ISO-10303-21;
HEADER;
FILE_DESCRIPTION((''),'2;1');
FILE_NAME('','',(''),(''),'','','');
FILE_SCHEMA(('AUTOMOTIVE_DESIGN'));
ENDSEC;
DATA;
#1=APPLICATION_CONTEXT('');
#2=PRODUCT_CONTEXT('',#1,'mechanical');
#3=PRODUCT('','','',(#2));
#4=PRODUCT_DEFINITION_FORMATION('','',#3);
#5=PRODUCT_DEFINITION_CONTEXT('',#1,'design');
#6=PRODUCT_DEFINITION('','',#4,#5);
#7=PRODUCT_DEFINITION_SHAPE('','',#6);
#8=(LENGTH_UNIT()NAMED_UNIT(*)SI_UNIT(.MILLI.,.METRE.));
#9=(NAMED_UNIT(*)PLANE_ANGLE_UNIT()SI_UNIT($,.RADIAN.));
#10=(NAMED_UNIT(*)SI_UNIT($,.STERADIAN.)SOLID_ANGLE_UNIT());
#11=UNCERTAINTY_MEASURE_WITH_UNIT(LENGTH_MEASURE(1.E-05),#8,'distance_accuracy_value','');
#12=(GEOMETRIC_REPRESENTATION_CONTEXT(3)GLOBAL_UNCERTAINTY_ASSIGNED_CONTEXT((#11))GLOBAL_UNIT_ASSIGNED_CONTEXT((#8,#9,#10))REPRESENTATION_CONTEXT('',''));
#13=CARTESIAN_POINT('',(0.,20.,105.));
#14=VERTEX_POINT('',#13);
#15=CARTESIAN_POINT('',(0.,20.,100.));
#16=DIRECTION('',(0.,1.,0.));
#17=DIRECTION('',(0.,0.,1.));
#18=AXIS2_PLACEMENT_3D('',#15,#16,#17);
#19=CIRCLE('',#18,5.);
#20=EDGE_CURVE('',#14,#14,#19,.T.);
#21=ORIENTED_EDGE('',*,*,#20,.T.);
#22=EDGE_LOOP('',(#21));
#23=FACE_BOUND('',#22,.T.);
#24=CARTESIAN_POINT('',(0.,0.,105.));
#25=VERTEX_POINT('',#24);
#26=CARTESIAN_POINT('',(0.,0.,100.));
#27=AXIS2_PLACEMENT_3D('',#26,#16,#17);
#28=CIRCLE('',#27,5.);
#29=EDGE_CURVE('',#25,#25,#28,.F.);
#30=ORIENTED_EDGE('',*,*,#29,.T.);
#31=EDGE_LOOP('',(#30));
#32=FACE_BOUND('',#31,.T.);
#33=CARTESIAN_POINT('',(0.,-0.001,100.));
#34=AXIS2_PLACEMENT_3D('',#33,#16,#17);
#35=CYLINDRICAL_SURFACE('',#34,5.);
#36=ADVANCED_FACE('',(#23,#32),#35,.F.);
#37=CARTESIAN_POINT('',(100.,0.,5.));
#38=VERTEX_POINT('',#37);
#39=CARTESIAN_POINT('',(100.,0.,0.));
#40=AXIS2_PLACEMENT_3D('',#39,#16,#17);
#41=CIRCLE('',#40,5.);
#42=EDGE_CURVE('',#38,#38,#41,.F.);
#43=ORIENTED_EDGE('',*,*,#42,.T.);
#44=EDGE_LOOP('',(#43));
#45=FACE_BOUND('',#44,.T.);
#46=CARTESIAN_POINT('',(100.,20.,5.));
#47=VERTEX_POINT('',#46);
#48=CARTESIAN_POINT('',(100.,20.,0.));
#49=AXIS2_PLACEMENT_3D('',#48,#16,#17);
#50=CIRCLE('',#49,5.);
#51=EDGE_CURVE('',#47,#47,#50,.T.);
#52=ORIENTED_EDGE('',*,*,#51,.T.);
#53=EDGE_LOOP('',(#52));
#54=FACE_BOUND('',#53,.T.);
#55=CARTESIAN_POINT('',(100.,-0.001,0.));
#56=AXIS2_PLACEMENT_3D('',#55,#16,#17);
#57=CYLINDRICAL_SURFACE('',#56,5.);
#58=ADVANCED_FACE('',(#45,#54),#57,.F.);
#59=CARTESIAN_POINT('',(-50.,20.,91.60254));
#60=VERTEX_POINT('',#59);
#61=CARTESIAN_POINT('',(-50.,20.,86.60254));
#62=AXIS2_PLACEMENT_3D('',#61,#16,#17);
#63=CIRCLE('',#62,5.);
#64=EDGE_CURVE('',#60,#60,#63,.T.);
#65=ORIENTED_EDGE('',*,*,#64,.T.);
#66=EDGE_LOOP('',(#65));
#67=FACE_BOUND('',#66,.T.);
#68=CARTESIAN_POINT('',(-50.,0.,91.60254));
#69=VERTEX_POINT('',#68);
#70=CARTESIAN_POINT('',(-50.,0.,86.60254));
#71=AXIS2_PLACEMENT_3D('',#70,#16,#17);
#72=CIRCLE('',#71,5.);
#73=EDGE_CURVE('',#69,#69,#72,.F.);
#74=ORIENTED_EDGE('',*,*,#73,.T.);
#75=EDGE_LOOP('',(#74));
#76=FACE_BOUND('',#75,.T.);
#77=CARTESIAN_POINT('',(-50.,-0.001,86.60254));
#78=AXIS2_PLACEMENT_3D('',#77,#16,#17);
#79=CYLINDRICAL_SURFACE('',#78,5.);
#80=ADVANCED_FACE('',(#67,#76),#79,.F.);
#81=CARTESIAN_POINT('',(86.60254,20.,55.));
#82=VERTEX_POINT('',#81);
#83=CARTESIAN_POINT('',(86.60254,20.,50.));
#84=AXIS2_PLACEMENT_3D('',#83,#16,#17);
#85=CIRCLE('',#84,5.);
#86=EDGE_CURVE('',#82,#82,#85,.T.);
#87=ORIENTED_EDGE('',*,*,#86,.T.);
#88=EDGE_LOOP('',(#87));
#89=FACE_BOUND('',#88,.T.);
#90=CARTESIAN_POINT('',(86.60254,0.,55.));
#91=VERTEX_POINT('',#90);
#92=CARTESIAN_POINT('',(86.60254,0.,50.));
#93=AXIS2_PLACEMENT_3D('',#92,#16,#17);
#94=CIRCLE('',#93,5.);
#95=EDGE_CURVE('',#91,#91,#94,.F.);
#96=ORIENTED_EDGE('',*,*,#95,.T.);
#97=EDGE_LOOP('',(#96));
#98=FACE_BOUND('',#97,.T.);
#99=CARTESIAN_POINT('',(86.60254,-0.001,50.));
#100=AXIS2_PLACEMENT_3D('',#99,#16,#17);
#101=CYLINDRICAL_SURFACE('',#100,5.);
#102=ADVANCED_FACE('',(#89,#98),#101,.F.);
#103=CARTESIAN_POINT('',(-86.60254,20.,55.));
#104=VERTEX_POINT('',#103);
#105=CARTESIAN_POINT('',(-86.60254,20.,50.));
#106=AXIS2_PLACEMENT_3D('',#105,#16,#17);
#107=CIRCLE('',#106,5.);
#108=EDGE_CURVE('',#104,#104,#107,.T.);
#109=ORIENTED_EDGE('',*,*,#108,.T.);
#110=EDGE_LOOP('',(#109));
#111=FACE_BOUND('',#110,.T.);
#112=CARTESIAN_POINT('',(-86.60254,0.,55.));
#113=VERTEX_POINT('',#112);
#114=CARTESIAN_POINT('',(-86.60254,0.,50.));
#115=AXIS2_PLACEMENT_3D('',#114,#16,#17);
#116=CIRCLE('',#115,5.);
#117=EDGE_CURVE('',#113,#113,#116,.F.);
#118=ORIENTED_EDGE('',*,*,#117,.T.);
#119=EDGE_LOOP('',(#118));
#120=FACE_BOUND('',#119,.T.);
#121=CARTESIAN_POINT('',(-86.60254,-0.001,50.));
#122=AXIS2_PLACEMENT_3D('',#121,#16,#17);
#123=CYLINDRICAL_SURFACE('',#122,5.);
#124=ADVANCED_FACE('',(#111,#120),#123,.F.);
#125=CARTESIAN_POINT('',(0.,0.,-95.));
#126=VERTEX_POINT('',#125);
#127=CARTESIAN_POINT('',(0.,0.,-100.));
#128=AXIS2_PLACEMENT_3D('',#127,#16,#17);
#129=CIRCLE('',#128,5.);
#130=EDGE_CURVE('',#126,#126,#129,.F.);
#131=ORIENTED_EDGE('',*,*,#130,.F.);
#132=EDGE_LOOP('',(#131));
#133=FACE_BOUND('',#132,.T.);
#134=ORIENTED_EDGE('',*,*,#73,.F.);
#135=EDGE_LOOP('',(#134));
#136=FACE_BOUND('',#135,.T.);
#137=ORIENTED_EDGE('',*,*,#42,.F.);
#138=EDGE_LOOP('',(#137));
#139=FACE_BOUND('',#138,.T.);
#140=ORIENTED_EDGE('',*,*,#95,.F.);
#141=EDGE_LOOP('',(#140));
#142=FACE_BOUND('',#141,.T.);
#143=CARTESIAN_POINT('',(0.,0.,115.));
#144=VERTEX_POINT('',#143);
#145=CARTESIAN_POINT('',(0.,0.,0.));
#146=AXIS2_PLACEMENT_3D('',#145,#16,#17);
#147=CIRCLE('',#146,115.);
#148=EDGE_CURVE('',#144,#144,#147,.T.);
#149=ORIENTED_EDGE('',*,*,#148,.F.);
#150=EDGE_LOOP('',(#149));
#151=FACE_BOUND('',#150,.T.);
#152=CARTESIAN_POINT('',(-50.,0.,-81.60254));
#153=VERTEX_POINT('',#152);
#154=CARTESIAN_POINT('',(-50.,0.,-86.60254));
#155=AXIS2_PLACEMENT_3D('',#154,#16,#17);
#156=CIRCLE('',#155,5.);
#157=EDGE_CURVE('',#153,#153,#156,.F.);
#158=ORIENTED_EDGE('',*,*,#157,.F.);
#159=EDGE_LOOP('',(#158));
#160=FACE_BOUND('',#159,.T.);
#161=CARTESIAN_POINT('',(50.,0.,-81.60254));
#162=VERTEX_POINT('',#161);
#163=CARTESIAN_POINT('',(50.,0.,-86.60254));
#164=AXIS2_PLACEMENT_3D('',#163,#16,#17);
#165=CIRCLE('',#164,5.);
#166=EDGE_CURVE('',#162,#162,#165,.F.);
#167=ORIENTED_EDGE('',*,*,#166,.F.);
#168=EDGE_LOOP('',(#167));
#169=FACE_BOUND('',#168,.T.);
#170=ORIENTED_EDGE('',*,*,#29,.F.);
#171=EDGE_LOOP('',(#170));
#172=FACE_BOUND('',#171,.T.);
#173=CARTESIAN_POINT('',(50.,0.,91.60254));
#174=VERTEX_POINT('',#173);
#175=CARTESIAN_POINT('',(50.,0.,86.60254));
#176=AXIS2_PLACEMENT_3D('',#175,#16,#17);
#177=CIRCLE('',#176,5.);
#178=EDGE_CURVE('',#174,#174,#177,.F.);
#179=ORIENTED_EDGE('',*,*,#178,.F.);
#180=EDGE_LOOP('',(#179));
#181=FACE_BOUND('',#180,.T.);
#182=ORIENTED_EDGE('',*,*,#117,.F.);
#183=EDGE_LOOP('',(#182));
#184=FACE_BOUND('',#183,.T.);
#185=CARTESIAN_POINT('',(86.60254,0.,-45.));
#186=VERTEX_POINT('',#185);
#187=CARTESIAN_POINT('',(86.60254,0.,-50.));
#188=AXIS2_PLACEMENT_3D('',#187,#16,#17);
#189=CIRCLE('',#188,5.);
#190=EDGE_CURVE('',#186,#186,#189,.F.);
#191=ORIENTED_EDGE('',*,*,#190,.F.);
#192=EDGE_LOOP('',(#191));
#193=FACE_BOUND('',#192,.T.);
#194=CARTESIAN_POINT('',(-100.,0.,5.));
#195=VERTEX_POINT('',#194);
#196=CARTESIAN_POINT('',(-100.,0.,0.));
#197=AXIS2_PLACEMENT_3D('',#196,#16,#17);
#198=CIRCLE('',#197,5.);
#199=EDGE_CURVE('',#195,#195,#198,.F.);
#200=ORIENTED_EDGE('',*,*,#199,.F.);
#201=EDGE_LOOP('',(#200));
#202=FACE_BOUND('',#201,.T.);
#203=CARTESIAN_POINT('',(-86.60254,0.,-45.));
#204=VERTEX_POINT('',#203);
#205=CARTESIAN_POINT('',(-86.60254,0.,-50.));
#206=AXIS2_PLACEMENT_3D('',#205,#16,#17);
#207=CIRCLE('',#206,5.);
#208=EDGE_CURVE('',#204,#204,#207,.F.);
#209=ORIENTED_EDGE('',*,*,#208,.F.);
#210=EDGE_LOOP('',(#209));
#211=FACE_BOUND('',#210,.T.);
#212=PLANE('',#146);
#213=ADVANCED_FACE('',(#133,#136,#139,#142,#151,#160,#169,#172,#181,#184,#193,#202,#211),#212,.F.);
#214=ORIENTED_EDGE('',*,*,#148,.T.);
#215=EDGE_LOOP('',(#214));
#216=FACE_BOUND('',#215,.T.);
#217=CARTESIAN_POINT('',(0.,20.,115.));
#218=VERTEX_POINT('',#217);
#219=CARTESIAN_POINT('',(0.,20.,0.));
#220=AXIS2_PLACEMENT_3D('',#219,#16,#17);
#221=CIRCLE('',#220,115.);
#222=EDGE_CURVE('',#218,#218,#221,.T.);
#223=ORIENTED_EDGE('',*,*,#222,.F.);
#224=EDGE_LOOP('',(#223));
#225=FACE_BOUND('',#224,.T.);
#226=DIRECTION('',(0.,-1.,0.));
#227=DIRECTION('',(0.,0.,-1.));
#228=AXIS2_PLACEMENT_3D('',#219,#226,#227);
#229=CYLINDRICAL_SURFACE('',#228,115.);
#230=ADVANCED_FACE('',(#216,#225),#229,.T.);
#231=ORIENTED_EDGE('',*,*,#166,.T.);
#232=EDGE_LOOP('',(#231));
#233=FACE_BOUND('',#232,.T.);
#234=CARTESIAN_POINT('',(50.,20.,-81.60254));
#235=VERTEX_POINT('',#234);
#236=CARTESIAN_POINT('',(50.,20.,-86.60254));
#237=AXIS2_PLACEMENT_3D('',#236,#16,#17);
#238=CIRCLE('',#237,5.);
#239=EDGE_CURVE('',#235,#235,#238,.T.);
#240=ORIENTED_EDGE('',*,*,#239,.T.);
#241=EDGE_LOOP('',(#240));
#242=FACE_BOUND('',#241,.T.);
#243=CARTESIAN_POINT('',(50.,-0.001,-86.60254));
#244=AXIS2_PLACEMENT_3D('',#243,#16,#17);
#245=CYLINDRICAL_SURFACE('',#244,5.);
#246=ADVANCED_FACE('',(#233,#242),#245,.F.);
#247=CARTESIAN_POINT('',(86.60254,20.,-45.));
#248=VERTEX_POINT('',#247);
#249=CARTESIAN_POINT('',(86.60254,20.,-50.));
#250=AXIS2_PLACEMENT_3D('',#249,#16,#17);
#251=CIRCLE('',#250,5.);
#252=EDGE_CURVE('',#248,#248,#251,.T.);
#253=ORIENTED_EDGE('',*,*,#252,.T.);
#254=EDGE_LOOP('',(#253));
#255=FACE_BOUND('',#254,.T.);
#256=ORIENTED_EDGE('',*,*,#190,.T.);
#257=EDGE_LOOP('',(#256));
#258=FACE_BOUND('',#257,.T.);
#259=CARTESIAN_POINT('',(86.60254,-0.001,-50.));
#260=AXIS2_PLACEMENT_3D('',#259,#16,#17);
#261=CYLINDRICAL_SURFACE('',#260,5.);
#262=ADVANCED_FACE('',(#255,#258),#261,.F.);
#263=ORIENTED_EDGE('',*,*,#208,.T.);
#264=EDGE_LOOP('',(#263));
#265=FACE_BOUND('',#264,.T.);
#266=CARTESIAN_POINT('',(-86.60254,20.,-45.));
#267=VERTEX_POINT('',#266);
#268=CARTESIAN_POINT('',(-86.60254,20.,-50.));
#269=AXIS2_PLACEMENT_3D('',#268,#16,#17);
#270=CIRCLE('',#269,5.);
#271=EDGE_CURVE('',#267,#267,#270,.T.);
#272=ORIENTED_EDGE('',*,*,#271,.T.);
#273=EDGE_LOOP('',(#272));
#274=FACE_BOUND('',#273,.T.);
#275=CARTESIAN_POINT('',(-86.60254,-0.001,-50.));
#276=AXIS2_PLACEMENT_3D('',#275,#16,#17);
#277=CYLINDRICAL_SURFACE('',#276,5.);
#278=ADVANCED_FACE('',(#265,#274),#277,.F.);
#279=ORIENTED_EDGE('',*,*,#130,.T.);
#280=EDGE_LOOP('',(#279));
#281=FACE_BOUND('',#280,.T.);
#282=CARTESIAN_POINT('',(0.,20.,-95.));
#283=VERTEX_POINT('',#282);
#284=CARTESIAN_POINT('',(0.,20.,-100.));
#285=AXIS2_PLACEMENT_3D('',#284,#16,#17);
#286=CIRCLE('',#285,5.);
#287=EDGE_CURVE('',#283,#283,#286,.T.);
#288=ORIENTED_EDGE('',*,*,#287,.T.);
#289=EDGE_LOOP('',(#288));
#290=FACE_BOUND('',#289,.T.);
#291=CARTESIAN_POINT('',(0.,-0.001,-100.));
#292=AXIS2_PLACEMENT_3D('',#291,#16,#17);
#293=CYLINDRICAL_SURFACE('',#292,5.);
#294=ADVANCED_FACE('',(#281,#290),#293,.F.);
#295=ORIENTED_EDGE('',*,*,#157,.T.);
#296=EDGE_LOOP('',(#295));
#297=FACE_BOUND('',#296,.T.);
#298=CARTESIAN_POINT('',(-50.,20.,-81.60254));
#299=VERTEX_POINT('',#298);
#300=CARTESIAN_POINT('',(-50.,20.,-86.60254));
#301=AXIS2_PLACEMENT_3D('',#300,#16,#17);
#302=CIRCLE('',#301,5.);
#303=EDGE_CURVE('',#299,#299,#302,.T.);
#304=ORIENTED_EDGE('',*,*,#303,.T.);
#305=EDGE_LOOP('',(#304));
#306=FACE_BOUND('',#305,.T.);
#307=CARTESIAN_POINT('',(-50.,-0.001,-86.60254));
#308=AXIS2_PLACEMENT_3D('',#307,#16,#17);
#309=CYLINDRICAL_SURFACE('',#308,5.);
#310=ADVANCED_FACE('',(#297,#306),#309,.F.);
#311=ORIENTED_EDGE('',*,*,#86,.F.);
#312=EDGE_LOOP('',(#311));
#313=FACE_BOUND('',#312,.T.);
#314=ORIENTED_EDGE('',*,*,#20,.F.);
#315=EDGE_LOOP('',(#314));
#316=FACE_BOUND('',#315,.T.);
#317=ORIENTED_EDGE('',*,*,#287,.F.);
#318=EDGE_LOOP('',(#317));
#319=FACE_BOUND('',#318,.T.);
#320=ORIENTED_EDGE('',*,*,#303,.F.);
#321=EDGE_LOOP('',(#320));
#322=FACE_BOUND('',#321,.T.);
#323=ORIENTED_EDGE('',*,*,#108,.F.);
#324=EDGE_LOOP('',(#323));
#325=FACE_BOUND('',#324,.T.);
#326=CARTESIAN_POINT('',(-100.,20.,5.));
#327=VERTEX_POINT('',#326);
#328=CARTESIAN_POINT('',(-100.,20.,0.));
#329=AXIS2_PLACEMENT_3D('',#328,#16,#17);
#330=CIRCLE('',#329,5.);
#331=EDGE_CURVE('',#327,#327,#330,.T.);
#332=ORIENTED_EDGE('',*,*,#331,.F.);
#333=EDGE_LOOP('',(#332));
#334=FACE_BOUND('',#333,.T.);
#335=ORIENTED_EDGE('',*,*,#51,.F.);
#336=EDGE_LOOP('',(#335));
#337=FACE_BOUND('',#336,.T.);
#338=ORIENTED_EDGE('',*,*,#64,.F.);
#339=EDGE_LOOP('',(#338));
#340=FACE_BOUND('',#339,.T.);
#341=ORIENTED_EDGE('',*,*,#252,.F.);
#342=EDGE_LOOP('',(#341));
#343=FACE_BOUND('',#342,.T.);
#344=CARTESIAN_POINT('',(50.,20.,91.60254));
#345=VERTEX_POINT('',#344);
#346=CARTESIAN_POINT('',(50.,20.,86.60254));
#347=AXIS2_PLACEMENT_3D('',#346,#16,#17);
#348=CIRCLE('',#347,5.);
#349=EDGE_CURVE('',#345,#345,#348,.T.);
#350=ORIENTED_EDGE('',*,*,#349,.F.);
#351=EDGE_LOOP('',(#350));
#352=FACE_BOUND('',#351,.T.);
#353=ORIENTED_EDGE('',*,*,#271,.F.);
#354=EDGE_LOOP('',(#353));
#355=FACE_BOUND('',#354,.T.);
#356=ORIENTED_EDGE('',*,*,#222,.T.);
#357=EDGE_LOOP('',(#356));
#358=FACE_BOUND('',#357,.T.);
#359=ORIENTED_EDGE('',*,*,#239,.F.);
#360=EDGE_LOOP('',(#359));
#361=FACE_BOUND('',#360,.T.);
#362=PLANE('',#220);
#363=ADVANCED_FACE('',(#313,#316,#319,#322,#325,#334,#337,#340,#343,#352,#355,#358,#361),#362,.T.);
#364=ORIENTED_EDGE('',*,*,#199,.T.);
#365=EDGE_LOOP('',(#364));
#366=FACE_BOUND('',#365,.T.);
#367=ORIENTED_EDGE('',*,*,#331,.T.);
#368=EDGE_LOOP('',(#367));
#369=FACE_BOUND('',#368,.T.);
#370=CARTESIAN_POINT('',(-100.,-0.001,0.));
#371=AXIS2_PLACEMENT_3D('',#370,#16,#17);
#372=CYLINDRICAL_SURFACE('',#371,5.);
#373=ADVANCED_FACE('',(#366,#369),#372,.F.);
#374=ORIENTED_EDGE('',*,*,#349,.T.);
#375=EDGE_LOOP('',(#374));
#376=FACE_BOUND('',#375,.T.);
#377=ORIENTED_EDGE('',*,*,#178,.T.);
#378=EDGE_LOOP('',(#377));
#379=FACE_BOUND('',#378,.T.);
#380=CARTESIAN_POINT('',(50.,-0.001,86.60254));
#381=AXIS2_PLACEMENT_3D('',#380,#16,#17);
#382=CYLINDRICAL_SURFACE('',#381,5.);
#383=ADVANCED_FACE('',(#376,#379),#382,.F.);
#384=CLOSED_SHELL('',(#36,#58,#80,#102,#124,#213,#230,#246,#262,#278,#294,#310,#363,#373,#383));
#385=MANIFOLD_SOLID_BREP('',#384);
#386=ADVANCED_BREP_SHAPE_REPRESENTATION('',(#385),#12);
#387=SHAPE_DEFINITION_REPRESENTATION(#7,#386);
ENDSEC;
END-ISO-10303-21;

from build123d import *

# Parameters (mm, degrees)
SKETCH1_R           = 115
BOSS_EXTRUDE1_DEPTH = 20
CUT_EXTRUDE1_REACH  = 165.86
SKETCH2_R           = 5


with BuildPart() as part:
    # Sketch1 → Boss-Extrude1 (new body)
    with BuildSketch(Plane(origin=(0, 0, 0), x_dir=(1, 0, 0), z_dir=(0, 1, 0))):
        with Locations(Location((0, 0, 0), (0, 0, 270))):
            Circle(SKETCH1_R)
    extrude(amount=BOSS_EXTRUDE1_DEPTH)

    # Sketch2 → Cut-Extrude1 (cut, up to next)
    with BuildSketch(Plane(origin=(0, 20, 0), x_dir=(1, 0, 0), z_dir=(0, 1, 0)), mode=Mode.PRIVATE) as cut_extrude1_sk1:
        with Locations(Location((0, 100, 0), (0, 0, 270))):
            Circle(SKETCH2_R)
    cut_extrude1_tool1 = extrude(cut_extrude1_sk1.sketch, amount=-CUT_EXTRUDE1_REACH, mode=Mode.PRIVATE) & part.part
    # Sketch2 → Cut-Extrude1 (cut, up to next)
    with BuildSketch(Plane(origin=(0, 20, 0), x_dir=(1, 0, 0), z_dir=(0, 1, 0)), mode=Mode.PRIVATE) as cut_extrude1_sk2:
        with Locations(Location((50, 86.602540378, 0), (0, 0, 270))):
            Circle(SKETCH2_R)
    cut_extrude1_tool2 = extrude(cut_extrude1_sk2.sketch, amount=-CUT_EXTRUDE1_REACH, mode=Mode.PRIVATE) & part.part
    # Sketch2 → Cut-Extrude1 (cut, up to next)
    with BuildSketch(Plane(origin=(0, 20, 0), x_dir=(1, 0, 0), z_dir=(0, 1, 0)), mode=Mode.PRIVATE) as cut_extrude1_sk3:
        with Locations(Location((86.602540378, 50, 0), (0, 0, 270))):
            Circle(SKETCH2_R)
    cut_extrude1_tool3 = extrude(cut_extrude1_sk3.sketch, amount=-CUT_EXTRUDE1_REACH, mode=Mode.PRIVATE) & part.part
    # Sketch2 → Cut-Extrude1 (cut, up to next)
    with BuildSketch(Plane(origin=(0, 20, 0), x_dir=(1, 0, 0), z_dir=(0, 1, 0)), mode=Mode.PRIVATE) as cut_extrude1_sk4:
        with Locations(Location((100, 0, 0), (0, 0, 270))):
            Circle(SKETCH2_R)
    cut_extrude1_tool4 = extrude(cut_extrude1_sk4.sketch, amount=-CUT_EXTRUDE1_REACH, mode=Mode.PRIVATE) & part.part
    # Sketch2 → Cut-Extrude1 (cut, up to next)
    with BuildSketch(Plane(origin=(0, 20, 0), x_dir=(1, 0, 0), z_dir=(0, 1, 0)), mode=Mode.PRIVATE) as cut_extrude1_sk5:
        with Locations(Location((86.602540378, -50, 0), (0, 0, 270))):
            Circle(SKETCH2_R)
    cut_extrude1_tool5 = extrude(cut_extrude1_sk5.sketch, amount=-CUT_EXTRUDE1_REACH, mode=Mode.PRIVATE) & part.part
    # Sketch2 → Cut-Extrude1 (cut, up to next)
    with BuildSketch(Plane(origin=(0, 20, 0), x_dir=(1, 0, 0), z_dir=(0, 1, 0)), mode=Mode.PRIVATE) as cut_extrude1_sk6:
        with Locations(Location((50, -86.602540378, 0), (0, 0, 270))):
            Circle(SKETCH2_R)
    cut_extrude1_tool6 = extrude(cut_extrude1_sk6.sketch, amount=-CUT_EXTRUDE1_REACH, mode=Mode.PRIVATE) & part.part
    # Sketch2 → Cut-Extrude1 (cut, up to next)
    with BuildSketch(Plane(origin=(0, 20, 0), x_dir=(1, 0, 0), z_dir=(0, 1, 0)), mode=Mode.PRIVATE) as cut_extrude1_sk7:
        with Locations(Location((0, -100, 0), (0, 0, 270))):
            Circle(SKETCH2_R)
    cut_extrude1_tool7 = extrude(cut_extrude1_sk7.sketch, amount=-CUT_EXTRUDE1_REACH, mode=Mode.PRIVATE) & part.part
    # Sketch2 → Cut-Extrude1 (cut, up to next)
    with BuildSketch(Plane(origin=(0, 20, 0), x_dir=(1, 0, 0), z_dir=(0, 1, 0)), mode=Mode.PRIVATE) as cut_extrude1_sk8:
        with Locations(Location((-50, -86.602540378, 0), (0, 0, 270))):
            Circle(SKETCH2_R)
    cut_extrude1_tool8 = extrude(cut_extrude1_sk8.sketch, amount=-CUT_EXTRUDE1_REACH, mode=Mode.PRIVATE) & part.part
    # Sketch2 → Cut-Extrude1 (cut, up to next)
    with BuildSketch(Plane(origin=(0, 20, 0), x_dir=(1, 0, 0), z_dir=(0, 1, 0)), mode=Mode.PRIVATE) as cut_extrude1_sk9:
        with Locations(Location((-86.602540378, -50, 0), (0, 0, 270))):
            Circle(SKETCH2_R)
    cut_extrude1_tool9 = extrude(cut_extrude1_sk9.sketch, amount=-CUT_EXTRUDE1_REACH, mode=Mode.PRIVATE) & part.part
    # Sketch2 → Cut-Extrude1 (cut, up to next)
    with BuildSketch(Plane(origin=(0, 20, 0), x_dir=(1, 0, 0), z_dir=(0, 1, 0)), mode=Mode.PRIVATE) as cut_extrude1_sk10:
        with Locations(Location((-100, 0, 0), (0, 0, 270))):
            Circle(SKETCH2_R)
    cut_extrude1_tool10 = extrude(cut_extrude1_sk10.sketch, amount=-CUT_EXTRUDE1_REACH, mode=Mode.PRIVATE) & part.part
    # Sketch2 → Cut-Extrude1 (cut, up to next)
    with BuildSketch(Plane(origin=(0, 20, 0), x_dir=(1, 0, 0), z_dir=(0, 1, 0)), mode=Mode.PRIVATE) as cut_extrude1_sk11:
        with Locations(Location((-86.602540378, 50, 0), (0, 0, 270))):
            Circle(SKETCH2_R)
    cut_extrude1_tool11 = extrude(cut_extrude1_sk11.sketch, amount=-CUT_EXTRUDE1_REACH, mode=Mode.PRIVATE) & part.part
    # Sketch2 → Cut-Extrude1 (cut, up to next)
    with BuildSketch(Plane(origin=(0, 20, 0), x_dir=(1, 0, 0), z_dir=(0, 1, 0)), mode=Mode.PRIVATE) as cut_extrude1_sk12:
        with Locations(Location((-50, 86.602540378, 0), (0, 0, 270))):
            Circle(SKETCH2_R)
    cut_extrude1_tool12 = extrude(cut_extrude1_sk12.sketch, amount=-CUT_EXTRUDE1_REACH, mode=Mode.PRIVATE) & part.part
    add(cut_extrude1_tool1.solids().sort_by_distance((0, 20, -100))[0], mode=Mode.SUBTRACT)
    add(cut_extrude1_tool2.solids().sort_by_distance((50, 20, -86.60254))[0], mode=Mode.SUBTRACT)
    add(cut_extrude1_tool3.solids().sort_by_distance((86.60254, 20, -50))[0], mode=Mode.SUBTRACT)
    add(cut_extrude1_tool4.solids().sort_by_distance((100, 20, 0))[0], mode=Mode.SUBTRACT)
    add(cut_extrude1_tool5.solids().sort_by_distance((86.60254, 20, 50))[0], mode=Mode.SUBTRACT)
    add(cut_extrude1_tool6.solids().sort_by_distance((50, 20, 86.60254))[0], mode=Mode.SUBTRACT)
    add(cut_extrude1_tool7.solids().sort_by_distance((0, 20, 100))[0], mode=Mode.SUBTRACT)
    add(cut_extrude1_tool8.solids().sort_by_distance((-50, 20, 86.60254))[0], mode=Mode.SUBTRACT)
    add(cut_extrude1_tool9.solids().sort_by_distance((-86.60254, 20, 50))[0], mode=Mode.SUBTRACT)
    add(cut_extrude1_tool10.solids().sort_by_distance((-100, 20, 0))[0], mode=Mode.SUBTRACT)
    add(cut_extrude1_tool11.solids().sort_by_distance((-86.60254, 20, -50))[0], mode=Mode.SUBTRACT)
    add(cut_extrude1_tool12.solids().sort_by_distance((-50, 20, -86.60254))[0], mode=Mode.SUBTRACT)


solid = part.part
